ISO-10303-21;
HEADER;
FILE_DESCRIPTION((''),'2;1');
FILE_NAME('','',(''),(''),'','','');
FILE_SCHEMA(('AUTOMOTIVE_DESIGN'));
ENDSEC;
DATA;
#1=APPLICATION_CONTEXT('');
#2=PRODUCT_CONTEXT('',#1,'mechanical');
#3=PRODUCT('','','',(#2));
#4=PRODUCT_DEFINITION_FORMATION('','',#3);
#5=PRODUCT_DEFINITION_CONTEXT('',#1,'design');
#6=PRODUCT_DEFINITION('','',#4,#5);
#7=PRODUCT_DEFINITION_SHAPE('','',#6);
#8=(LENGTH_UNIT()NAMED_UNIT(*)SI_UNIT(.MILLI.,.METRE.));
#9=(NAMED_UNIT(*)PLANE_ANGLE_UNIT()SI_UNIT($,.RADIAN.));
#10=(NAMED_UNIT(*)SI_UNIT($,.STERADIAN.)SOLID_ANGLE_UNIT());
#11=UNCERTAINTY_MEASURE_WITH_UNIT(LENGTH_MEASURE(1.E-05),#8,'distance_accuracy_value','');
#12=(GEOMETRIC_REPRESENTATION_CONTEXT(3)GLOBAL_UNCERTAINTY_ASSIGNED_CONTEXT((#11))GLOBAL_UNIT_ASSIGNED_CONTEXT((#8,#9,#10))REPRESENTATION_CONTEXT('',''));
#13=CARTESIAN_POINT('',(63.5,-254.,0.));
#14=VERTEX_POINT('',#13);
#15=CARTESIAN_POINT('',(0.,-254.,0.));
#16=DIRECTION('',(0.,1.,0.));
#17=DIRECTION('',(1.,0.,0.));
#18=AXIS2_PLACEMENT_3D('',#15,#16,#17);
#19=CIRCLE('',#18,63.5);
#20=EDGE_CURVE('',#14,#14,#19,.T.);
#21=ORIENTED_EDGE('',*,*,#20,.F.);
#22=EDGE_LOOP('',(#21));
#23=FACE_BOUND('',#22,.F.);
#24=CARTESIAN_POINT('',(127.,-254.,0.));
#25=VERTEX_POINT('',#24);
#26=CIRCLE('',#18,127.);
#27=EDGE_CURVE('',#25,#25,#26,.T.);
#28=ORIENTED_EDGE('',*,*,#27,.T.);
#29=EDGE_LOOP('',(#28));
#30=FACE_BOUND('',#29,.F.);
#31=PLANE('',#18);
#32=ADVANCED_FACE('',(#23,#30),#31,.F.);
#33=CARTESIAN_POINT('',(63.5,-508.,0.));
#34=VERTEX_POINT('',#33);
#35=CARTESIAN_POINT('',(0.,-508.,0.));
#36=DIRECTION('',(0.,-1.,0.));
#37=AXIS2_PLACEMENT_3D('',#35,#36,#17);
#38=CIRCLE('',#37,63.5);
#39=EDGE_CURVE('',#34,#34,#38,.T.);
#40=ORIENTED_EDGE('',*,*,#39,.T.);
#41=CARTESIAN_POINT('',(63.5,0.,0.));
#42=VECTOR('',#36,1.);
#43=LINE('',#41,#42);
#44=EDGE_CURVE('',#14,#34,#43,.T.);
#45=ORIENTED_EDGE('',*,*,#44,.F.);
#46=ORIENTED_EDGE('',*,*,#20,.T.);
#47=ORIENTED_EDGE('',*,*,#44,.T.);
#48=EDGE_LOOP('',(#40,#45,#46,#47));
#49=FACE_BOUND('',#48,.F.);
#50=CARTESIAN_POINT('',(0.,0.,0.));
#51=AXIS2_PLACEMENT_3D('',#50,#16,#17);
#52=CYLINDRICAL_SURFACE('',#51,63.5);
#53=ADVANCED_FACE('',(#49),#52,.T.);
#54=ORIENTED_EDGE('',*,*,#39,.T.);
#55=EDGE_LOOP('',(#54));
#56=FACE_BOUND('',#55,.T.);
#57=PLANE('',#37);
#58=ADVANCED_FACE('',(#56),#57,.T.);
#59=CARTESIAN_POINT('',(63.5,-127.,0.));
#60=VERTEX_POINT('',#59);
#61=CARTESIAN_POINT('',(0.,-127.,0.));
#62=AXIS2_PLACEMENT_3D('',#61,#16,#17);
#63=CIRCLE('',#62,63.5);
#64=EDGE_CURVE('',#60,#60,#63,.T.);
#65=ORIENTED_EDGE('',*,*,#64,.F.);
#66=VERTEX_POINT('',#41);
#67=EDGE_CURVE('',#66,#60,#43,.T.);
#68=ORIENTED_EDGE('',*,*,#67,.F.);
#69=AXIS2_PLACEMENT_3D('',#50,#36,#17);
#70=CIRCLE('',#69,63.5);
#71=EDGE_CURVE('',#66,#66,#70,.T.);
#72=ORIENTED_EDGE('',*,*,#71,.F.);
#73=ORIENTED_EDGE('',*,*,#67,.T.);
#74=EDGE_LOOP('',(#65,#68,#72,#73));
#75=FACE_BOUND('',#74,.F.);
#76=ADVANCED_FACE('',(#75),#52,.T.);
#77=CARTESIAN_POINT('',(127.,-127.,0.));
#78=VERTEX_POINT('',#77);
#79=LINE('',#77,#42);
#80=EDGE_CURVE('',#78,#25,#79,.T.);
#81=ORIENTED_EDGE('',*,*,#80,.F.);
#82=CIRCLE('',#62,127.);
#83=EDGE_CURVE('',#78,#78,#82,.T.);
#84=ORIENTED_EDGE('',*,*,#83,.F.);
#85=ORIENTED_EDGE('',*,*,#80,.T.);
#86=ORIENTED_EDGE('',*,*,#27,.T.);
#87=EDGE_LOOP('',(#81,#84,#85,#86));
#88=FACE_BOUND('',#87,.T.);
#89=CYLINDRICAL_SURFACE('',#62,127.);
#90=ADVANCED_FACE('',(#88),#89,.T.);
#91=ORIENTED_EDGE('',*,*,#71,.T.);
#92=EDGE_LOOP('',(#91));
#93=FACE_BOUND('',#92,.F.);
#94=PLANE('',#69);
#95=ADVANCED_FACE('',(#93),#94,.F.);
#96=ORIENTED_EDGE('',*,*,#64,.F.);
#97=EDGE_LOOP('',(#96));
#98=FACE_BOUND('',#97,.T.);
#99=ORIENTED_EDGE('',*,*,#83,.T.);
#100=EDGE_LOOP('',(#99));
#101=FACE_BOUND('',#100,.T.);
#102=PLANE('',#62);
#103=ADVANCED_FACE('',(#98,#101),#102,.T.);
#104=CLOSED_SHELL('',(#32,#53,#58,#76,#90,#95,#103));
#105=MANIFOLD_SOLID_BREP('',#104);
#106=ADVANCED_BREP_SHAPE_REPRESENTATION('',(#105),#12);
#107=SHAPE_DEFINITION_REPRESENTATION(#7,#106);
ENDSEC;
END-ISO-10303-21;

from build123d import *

# Parameters (mm, degrees)
F0_R     = 63.5
F1_DEPTH = 508
F3_R     = 127
F4_DEPTH = 127


with BuildPart() as f1:
    # F0 (on Front) → F1 (new body)
    with BuildSketch(Plane.XZ):
        Circle(F0_R)
    extrude(amount=F1_DEPTH)

    # F3 (on offset) → F4 (join)
    with BuildSketch(Plane(origin=(0, -127, 0), x_dir=(1, 0, 0), z_dir=(0, 1, 0))):
        Circle(F3_R)
    extrude(amount=-F4_DEPTH)


solid = f1.part
